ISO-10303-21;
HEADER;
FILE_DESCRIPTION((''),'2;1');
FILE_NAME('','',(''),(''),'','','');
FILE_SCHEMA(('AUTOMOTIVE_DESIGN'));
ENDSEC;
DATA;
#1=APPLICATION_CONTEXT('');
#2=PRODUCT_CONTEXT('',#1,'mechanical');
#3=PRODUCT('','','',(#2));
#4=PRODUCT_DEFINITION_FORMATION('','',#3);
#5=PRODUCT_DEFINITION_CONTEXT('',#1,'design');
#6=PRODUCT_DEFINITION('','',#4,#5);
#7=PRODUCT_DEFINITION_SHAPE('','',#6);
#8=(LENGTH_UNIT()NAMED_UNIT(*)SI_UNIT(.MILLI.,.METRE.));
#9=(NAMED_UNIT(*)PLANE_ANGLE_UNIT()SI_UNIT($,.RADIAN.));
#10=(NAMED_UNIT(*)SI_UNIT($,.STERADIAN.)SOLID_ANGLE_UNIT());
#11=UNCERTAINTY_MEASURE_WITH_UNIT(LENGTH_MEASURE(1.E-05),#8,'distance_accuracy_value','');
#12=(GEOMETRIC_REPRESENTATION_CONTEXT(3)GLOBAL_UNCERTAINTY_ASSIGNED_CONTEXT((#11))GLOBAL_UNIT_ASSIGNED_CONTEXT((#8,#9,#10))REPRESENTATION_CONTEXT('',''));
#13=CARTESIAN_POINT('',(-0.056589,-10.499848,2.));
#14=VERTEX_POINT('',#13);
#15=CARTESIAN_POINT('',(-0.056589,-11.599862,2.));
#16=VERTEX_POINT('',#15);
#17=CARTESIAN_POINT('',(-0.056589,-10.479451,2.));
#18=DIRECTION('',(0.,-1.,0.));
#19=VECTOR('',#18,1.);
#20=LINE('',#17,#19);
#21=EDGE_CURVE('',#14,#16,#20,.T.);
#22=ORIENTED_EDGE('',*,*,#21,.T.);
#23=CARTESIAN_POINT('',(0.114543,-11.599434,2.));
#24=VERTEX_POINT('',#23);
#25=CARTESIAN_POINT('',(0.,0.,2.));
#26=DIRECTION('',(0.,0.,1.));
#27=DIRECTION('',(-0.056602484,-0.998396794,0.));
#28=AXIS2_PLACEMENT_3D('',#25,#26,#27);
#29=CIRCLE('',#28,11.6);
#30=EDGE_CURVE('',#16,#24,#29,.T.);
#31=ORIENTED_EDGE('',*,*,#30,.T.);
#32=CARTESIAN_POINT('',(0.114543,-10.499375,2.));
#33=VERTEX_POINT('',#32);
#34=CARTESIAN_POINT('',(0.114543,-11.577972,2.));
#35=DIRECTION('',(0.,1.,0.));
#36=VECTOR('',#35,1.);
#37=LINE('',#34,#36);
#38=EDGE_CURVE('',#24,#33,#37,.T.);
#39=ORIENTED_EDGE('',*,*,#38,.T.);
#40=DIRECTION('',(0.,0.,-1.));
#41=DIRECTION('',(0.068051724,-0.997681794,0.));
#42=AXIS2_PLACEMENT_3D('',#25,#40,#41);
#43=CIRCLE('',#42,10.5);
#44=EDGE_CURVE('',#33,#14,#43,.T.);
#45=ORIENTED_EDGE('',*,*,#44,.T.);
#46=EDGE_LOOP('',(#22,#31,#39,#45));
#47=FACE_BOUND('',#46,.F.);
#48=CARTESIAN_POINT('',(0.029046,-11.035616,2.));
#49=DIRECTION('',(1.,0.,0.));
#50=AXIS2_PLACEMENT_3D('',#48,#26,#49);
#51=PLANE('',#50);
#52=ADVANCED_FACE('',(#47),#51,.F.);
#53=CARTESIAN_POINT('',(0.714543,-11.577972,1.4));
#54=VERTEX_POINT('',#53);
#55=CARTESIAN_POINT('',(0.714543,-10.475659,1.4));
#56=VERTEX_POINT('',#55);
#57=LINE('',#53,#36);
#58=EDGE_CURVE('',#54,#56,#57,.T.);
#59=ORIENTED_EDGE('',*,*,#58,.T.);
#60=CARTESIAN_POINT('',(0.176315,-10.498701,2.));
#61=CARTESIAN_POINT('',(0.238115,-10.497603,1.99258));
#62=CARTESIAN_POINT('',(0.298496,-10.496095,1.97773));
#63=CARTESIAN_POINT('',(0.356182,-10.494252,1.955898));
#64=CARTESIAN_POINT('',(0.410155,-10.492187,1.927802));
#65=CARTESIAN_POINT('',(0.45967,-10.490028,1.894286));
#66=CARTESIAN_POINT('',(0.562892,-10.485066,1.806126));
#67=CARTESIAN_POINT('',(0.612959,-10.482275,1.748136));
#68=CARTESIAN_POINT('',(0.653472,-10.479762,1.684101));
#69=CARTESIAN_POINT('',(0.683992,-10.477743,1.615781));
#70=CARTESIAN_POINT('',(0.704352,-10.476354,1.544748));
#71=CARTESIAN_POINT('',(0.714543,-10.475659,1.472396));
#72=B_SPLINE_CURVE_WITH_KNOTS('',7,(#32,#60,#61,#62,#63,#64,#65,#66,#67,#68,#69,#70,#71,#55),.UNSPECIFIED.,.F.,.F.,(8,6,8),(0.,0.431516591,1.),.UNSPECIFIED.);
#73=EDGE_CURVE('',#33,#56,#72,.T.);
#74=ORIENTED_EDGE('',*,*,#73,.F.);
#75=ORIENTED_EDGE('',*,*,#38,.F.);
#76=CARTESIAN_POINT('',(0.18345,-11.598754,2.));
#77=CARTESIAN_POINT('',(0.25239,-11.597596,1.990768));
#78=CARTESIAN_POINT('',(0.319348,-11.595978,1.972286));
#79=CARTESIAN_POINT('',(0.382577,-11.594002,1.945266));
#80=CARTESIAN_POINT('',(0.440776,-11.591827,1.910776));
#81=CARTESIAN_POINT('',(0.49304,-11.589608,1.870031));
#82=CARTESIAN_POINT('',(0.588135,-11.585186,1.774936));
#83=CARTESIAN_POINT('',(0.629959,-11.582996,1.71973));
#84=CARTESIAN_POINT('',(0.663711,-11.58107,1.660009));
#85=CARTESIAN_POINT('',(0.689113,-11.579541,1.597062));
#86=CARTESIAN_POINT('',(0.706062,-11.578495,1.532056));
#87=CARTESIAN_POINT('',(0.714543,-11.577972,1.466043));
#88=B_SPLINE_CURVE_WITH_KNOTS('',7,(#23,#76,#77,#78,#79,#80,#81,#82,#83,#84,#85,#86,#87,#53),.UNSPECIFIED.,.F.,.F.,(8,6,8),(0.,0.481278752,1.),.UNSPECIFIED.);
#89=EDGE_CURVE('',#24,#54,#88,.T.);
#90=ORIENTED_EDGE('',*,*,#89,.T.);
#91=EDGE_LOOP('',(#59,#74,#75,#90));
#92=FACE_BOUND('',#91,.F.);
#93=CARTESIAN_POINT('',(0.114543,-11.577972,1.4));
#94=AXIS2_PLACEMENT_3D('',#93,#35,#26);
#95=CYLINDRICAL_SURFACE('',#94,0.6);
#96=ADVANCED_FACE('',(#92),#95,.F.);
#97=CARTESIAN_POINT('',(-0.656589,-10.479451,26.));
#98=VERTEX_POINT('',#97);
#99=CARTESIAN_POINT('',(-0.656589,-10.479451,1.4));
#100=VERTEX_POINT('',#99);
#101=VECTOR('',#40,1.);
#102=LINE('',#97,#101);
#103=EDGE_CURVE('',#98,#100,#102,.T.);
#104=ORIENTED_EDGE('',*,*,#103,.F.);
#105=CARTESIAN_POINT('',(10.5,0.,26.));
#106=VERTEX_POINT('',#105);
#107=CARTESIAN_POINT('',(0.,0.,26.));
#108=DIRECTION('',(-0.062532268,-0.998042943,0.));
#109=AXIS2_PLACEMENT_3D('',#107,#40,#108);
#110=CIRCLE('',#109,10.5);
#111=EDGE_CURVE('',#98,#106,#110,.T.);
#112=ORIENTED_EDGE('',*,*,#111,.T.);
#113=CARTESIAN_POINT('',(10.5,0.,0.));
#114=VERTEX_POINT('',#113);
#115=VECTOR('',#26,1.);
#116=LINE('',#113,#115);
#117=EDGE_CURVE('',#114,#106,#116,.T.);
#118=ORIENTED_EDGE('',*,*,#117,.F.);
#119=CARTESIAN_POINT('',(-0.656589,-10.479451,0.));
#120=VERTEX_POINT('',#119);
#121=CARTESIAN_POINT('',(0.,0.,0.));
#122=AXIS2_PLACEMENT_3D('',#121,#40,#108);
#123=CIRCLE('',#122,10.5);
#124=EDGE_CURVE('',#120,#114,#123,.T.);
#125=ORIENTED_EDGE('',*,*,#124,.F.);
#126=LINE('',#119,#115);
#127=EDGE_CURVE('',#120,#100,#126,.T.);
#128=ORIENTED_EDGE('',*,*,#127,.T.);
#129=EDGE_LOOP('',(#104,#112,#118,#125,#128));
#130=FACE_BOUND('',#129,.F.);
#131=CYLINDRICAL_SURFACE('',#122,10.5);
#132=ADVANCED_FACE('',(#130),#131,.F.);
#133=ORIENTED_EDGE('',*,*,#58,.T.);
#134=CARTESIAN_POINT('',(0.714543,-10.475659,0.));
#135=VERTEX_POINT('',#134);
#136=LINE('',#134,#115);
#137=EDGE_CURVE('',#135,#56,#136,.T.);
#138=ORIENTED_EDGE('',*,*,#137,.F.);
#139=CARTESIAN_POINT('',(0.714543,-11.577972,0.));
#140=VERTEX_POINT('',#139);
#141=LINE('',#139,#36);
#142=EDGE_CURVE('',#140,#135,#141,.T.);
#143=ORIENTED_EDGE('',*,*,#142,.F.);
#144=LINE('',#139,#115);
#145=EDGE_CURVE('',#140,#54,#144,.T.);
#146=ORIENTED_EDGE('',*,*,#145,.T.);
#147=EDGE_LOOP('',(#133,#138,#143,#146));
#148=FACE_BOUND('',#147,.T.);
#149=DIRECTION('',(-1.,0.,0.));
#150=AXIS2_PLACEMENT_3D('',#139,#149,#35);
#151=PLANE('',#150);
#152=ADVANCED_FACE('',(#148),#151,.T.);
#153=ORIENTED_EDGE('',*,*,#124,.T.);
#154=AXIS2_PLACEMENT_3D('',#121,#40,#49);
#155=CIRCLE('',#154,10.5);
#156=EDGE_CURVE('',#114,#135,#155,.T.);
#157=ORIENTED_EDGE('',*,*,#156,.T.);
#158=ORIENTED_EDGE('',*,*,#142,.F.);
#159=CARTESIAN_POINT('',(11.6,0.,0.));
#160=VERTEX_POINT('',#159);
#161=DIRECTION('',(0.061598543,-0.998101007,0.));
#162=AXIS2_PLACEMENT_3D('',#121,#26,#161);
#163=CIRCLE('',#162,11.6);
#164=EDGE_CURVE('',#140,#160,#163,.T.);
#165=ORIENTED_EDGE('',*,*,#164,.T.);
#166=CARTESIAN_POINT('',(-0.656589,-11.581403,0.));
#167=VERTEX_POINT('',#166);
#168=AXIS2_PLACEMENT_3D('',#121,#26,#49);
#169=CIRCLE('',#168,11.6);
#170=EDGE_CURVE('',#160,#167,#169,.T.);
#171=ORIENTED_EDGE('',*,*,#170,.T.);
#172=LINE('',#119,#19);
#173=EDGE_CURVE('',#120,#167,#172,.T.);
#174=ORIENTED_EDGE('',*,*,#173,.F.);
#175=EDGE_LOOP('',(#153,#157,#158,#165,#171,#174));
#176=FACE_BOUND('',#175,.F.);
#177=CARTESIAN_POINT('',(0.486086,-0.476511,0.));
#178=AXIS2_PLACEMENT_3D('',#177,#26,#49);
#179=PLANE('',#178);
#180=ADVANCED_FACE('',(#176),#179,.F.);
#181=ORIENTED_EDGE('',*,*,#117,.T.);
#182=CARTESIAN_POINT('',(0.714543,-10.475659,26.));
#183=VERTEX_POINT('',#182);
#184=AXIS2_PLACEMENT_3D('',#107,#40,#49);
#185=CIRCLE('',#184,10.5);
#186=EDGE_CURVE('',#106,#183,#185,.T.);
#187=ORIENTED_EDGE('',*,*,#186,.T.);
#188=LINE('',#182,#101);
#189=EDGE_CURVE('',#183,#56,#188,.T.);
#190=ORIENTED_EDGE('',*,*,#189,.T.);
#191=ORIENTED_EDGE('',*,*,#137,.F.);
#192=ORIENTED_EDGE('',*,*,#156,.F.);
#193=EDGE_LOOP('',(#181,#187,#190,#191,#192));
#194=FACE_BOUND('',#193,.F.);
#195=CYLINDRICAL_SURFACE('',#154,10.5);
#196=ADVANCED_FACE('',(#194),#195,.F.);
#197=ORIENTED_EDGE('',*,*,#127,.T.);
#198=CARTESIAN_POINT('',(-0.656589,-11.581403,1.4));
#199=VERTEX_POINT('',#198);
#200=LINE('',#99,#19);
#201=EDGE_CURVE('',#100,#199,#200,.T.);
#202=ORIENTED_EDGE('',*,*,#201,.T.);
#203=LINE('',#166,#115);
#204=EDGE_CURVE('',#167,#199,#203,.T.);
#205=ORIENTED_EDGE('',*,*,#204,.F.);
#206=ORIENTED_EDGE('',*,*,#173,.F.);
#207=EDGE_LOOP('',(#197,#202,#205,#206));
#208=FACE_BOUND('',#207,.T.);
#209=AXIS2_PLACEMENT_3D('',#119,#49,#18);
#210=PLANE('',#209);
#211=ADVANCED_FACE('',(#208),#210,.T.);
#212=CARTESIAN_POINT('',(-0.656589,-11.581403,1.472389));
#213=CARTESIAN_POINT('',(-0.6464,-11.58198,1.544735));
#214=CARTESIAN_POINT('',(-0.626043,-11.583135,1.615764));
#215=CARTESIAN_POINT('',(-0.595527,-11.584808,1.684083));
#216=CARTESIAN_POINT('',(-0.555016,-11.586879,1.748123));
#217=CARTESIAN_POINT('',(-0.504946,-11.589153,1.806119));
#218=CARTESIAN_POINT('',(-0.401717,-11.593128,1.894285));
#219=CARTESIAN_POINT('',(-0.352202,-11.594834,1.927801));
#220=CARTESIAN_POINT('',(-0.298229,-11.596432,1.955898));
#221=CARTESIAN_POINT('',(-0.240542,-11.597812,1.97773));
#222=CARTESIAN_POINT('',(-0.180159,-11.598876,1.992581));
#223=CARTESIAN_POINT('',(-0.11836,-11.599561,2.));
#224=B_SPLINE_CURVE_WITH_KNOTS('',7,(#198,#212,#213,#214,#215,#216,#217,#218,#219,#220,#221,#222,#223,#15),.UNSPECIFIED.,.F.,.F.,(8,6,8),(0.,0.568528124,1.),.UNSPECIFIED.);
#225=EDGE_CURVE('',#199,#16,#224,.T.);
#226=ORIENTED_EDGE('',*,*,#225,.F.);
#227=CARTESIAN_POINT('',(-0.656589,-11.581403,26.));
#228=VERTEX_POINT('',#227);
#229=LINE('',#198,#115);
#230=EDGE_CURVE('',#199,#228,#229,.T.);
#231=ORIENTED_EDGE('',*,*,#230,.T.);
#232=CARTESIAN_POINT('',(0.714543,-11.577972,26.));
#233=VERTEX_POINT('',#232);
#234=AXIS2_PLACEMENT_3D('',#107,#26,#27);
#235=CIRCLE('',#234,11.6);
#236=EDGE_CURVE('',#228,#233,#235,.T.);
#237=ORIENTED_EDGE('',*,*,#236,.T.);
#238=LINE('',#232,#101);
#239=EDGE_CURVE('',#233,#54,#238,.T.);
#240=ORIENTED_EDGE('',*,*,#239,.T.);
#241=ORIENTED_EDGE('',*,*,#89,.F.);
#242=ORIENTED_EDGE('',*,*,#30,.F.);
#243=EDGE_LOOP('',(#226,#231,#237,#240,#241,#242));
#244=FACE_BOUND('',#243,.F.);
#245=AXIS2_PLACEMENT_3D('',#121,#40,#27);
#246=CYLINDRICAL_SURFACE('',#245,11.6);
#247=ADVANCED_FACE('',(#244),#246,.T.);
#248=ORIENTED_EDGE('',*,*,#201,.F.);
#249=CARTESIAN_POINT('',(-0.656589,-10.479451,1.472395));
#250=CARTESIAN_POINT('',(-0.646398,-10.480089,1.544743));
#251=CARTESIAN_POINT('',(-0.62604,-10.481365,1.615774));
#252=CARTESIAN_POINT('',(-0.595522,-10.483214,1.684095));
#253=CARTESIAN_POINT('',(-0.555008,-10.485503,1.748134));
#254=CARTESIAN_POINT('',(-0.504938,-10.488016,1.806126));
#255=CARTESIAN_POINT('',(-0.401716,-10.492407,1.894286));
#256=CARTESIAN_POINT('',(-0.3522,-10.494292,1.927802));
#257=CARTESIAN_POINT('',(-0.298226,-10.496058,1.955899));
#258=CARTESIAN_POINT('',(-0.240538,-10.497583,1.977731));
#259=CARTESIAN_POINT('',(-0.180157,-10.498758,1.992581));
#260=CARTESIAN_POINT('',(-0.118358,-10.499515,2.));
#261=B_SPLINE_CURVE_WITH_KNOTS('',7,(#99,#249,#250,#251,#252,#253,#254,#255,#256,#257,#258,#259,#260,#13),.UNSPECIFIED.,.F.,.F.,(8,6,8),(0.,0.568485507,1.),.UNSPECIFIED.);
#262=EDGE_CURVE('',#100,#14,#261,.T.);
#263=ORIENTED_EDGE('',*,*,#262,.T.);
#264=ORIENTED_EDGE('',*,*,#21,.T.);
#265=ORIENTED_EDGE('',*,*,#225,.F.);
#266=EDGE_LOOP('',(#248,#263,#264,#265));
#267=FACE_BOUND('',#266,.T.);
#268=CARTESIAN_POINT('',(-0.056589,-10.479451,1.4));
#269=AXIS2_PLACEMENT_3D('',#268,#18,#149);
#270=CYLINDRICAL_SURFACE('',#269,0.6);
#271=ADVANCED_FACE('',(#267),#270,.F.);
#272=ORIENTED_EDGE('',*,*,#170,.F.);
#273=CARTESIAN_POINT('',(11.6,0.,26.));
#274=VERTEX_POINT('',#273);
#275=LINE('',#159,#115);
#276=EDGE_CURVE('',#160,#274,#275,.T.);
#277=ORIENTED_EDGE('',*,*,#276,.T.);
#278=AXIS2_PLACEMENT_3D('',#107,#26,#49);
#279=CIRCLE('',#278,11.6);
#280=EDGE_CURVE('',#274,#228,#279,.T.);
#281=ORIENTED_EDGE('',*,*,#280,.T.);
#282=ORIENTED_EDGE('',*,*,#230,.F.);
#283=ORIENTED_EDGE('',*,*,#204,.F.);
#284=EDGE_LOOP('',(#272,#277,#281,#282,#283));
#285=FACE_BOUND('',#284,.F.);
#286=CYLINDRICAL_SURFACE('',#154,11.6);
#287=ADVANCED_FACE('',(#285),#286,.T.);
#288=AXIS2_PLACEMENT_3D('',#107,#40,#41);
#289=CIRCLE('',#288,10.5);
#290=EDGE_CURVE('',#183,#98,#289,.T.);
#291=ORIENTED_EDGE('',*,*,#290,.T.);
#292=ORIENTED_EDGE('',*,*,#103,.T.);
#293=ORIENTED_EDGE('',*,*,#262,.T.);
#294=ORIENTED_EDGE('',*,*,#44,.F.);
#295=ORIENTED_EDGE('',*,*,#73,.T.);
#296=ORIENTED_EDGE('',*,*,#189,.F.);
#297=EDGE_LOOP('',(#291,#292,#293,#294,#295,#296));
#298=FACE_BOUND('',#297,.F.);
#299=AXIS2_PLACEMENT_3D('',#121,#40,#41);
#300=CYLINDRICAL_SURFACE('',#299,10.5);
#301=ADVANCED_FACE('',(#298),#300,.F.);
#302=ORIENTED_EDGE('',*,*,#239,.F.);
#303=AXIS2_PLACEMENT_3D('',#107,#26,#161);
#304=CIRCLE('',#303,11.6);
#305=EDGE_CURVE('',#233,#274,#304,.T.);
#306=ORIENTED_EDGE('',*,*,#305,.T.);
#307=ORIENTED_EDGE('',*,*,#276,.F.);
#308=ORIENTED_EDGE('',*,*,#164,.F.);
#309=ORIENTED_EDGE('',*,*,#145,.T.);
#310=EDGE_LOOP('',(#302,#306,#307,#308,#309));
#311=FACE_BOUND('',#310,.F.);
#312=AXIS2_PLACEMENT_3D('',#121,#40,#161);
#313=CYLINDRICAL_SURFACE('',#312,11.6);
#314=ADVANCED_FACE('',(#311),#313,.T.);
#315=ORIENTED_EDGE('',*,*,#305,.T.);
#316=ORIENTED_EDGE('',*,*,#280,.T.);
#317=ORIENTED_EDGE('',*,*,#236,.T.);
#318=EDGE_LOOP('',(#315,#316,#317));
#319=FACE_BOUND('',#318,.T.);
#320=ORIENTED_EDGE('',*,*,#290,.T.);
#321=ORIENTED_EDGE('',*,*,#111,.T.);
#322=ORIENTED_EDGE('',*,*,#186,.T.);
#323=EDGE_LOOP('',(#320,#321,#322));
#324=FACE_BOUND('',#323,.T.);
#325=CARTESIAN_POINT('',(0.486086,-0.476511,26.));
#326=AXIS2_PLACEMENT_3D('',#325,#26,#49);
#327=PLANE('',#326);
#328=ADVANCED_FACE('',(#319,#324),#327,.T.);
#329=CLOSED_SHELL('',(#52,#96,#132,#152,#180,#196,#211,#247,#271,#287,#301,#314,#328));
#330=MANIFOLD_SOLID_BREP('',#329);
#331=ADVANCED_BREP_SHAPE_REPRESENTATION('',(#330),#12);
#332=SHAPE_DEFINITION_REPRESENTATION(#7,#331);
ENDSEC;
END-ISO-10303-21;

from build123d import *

# Parameters (mm, degrees)
F1_DEPTH = 26
F2_DEPTH = 2
F3_R     = 0.6


with BuildPart() as f1:
    # F0 (on Top) → F1 (new body)
    with BuildSketch(Plane.XY):
        with BuildLine():
            ThreePointArc((-0.6565888179, -10.479450898), (-7.1887348474, 7.6532405747), (10.5, 0))
            ThreePointArc((10.5, 0), (7.6730926803, -7.1675413302), (0.7145431009, -10.4756588412))
            Line((0.7145431009, -10.4756588412), (0.7145431009, -11.5779716772))
            ThreePointArc((0.7145431009, -11.5779716772), (8.4512927996, -7.9457944861), (11.6, 0))
            ThreePointArc((11.6, 0), (-7.966918153, 8.431382754), (-0.6565888179, -11.5814028133))
            Line((-0.6565888179, -11.5814028133), (-0.6565888179, -10.479450898))
        make_face()
        with BuildLine():
            ThreePointArc((0.7145431009, -10.4756588412), (0.0290391056, -10.4999598442), (-0.6565888179, -10.479450898))
            Line((-0.6565888179, -10.479450898), (-0.6565888179, -11.5814028133))
            ThreePointArc((-0.6565888179, -11.5814028133), (0.0290278815, -11.5999636802), (0.7145431009, -11.5779716772))
            Line((0.7145431009, -11.5779716772), (0.7145431009, -10.4756588412))
        make_face()
    extrude(amount=F1_DEPTH)

    # F0 (on Top) → F2 (cut)
    with BuildSketch(Plane.XY):
        with BuildLine():
            ThreePointArc((0.7145431009, -10.4756588412), (0.0290391056, -10.4999598442), (-0.6565888179, -10.479450898))
            Line((-0.6565888179, -10.479450898), (-0.6565888179, -11.5814028133))
            ThreePointArc((-0.6565888179, -11.5814028133), (0.0290278815, -11.5999636802), (0.7145431009, -11.5779716772))
            Line((0.7145431009, -11.5779716772), (0.7145431009, -10.4756588412))
        make_face()
    extrude(amount=F2_DEPTH, mode=Mode.SUBTRACT)

    # F3
    f3_edges = [f1.edges().sort_by_distance(p)[0] for p in [
        (0.714543, -11.026815, 2),
        (-0.656589, -11.030427, 2),
    ]]
    fillet(f3_edges, radius=F3_R)


solid = f1.part
